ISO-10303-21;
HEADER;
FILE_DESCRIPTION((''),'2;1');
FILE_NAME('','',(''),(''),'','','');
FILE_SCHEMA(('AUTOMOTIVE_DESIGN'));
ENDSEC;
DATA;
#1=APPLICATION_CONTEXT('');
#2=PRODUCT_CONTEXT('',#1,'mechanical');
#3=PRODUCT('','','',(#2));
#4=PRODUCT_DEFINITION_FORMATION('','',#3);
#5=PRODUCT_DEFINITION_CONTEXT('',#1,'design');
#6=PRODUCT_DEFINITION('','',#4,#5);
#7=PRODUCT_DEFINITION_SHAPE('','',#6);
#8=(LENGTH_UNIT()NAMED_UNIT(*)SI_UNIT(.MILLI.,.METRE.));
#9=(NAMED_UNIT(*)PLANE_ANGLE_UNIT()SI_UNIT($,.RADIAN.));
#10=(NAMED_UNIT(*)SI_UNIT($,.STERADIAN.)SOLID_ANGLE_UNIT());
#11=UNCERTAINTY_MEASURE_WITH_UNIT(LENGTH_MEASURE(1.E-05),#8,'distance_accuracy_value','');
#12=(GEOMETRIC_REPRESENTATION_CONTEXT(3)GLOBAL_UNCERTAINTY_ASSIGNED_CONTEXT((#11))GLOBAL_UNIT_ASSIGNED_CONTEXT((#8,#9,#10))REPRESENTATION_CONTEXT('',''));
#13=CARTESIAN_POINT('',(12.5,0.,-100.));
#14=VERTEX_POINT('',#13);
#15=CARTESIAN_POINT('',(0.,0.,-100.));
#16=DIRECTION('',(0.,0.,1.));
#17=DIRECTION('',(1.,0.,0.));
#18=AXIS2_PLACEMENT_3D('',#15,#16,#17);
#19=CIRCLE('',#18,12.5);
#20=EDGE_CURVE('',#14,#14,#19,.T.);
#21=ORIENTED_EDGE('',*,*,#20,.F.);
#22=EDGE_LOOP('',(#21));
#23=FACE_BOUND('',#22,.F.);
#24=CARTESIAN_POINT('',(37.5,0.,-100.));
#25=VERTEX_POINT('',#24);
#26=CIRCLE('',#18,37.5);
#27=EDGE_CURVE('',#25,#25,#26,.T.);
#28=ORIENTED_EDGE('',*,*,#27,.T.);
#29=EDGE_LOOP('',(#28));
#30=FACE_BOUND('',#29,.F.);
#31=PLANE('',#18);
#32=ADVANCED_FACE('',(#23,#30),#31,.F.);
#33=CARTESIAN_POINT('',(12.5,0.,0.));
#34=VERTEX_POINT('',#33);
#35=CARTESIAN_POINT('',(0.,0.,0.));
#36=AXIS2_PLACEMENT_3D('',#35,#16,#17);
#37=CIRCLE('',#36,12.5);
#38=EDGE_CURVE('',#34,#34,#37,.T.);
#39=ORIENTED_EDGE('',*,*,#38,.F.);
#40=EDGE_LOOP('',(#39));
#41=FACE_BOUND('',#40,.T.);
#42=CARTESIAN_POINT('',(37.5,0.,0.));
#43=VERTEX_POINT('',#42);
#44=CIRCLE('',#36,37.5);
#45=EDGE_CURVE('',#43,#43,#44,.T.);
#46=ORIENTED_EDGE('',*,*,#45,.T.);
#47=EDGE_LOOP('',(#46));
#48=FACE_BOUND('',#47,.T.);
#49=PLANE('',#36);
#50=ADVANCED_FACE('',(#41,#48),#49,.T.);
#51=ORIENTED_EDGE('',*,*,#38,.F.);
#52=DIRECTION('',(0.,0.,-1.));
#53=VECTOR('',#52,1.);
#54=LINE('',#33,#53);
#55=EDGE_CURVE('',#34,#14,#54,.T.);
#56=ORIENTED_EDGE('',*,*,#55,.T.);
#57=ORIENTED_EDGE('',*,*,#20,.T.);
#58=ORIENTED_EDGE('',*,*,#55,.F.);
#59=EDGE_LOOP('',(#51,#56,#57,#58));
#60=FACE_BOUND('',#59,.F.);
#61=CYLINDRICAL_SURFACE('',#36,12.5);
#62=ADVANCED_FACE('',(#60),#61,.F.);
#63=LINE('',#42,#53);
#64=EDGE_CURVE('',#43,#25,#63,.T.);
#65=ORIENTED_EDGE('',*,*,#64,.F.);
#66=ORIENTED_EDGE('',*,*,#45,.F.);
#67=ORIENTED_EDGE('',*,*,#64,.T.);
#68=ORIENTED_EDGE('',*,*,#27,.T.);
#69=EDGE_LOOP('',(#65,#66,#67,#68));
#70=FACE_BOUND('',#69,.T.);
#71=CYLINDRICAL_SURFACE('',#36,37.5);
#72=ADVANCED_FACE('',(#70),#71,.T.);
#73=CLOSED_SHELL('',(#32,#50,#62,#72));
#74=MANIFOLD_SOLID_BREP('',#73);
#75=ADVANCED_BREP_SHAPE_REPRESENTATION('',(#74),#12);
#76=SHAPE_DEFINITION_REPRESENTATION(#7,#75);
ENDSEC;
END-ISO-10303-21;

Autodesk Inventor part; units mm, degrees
ref_plane "YZ Plane" through (0, 0, 0) normal (1, 0, 0) x (0, 1, 0)
ref_plane "XZ Plane" through (0, 0, 0) normal (0, 1, 0) x (-1, 0, 0)
ref_plane "XY Plane" through (0, 0, 0) normal (0, 0, 1) x (1, 0, 0)
sketch "Esquisse1" plane through (0, 0, 0) normal (0, 0, 1) x (1, 0, 0)
  circle A0 centre (0, 0) radius 12.5
  circle A1 centre (0, 0) radius 37.5
  dimension "d0" = 25
  dimension "d1" = 75
extrude "Extrusion1" add sketch "Esquisse1" against normal blind 100
properties part number "Masse"
